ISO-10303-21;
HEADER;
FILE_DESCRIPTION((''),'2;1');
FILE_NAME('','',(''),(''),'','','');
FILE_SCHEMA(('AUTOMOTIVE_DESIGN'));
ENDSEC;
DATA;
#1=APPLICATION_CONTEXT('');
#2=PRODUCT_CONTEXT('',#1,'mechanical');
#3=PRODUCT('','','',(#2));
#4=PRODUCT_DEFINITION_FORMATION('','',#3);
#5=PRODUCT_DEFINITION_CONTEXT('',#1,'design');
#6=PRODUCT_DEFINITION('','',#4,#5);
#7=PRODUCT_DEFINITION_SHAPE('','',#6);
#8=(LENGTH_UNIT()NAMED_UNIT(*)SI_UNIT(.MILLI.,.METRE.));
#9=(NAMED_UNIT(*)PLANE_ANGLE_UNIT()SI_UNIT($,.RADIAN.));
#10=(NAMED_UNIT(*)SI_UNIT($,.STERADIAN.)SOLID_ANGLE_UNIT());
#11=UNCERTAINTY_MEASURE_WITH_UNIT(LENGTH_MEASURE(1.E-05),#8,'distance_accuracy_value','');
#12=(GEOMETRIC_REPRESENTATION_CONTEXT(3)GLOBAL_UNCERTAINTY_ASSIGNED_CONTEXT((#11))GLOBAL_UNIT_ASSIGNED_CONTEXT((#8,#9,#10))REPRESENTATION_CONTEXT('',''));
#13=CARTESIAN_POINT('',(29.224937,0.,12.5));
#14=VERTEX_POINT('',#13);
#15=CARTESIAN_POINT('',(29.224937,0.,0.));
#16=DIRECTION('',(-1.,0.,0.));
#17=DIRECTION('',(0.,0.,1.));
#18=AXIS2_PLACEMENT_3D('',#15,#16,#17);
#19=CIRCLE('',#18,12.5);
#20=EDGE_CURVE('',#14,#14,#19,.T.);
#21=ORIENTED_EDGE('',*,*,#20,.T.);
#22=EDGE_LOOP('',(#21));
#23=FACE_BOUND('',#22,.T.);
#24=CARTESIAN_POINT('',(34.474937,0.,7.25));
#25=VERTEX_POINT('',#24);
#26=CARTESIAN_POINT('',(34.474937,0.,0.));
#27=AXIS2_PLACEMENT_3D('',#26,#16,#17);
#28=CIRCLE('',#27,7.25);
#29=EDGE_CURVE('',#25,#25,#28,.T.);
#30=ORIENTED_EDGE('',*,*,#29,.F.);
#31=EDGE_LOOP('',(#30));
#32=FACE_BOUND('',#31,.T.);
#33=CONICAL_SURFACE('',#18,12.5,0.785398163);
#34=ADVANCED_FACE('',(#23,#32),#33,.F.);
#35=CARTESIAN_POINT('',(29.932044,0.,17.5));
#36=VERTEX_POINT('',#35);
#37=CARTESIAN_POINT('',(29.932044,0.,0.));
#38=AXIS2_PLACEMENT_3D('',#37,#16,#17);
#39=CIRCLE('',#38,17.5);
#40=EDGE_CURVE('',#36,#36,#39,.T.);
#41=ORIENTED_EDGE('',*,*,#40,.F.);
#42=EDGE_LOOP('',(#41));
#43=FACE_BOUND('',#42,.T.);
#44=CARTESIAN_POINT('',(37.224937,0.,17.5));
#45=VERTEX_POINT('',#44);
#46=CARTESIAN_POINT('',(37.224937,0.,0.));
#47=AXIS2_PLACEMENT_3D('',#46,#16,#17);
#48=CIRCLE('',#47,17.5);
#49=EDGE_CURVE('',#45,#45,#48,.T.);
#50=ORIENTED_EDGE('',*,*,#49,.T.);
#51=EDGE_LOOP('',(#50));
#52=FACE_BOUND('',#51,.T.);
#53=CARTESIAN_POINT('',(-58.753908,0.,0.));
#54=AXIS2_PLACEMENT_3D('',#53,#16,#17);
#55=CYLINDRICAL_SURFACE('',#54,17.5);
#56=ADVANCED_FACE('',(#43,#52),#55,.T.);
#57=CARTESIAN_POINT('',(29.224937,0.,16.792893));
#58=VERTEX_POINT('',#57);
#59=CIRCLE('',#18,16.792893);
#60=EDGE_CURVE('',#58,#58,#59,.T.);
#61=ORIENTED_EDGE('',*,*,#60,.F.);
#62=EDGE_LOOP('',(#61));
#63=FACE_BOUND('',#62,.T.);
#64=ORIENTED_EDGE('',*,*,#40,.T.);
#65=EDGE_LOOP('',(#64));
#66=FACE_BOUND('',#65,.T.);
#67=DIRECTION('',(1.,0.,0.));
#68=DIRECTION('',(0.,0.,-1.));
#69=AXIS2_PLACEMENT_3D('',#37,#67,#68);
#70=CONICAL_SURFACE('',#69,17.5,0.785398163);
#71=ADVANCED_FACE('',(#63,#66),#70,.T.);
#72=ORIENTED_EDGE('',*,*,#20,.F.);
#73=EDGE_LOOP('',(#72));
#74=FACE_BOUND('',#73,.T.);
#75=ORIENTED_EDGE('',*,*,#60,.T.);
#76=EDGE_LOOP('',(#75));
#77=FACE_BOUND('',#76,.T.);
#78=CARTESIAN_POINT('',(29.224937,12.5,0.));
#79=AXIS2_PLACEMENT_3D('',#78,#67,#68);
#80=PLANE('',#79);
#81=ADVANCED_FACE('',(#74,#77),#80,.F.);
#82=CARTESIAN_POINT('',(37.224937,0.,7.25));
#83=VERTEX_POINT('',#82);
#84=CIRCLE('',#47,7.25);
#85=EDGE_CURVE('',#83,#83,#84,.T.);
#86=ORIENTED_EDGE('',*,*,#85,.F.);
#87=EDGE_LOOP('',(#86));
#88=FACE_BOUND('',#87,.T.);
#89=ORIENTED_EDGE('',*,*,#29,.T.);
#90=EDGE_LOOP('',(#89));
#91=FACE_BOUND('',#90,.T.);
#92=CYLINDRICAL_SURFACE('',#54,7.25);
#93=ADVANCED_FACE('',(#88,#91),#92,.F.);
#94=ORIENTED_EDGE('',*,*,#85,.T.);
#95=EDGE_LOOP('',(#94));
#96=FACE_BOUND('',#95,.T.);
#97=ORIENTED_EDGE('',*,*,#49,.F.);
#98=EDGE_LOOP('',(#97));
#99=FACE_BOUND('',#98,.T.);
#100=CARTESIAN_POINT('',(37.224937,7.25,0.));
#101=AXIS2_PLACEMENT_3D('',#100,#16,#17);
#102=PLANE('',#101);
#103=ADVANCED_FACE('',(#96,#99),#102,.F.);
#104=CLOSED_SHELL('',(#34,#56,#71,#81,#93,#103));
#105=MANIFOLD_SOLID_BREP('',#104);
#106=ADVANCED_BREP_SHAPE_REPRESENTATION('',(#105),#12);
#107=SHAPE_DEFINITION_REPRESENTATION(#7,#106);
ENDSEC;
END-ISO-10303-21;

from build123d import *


with BuildPart() as part:
    # Sketch1 → Revolve1 (revolve)
    with BuildSketch(Plane.XY):
        Polygon((37.224937155, 7.25), (34.474937155, 7.25), (29.224937155, 12.5), (29.224937155, 16.792893219), (29.932043936, 17.5), (37.224937155, 17.5), (37.224937155, 9.702159296), align=None)
    revolve(axis=Axis((-58.75390838, 0, 0), (1, 0, 0)))


solid = part.part
